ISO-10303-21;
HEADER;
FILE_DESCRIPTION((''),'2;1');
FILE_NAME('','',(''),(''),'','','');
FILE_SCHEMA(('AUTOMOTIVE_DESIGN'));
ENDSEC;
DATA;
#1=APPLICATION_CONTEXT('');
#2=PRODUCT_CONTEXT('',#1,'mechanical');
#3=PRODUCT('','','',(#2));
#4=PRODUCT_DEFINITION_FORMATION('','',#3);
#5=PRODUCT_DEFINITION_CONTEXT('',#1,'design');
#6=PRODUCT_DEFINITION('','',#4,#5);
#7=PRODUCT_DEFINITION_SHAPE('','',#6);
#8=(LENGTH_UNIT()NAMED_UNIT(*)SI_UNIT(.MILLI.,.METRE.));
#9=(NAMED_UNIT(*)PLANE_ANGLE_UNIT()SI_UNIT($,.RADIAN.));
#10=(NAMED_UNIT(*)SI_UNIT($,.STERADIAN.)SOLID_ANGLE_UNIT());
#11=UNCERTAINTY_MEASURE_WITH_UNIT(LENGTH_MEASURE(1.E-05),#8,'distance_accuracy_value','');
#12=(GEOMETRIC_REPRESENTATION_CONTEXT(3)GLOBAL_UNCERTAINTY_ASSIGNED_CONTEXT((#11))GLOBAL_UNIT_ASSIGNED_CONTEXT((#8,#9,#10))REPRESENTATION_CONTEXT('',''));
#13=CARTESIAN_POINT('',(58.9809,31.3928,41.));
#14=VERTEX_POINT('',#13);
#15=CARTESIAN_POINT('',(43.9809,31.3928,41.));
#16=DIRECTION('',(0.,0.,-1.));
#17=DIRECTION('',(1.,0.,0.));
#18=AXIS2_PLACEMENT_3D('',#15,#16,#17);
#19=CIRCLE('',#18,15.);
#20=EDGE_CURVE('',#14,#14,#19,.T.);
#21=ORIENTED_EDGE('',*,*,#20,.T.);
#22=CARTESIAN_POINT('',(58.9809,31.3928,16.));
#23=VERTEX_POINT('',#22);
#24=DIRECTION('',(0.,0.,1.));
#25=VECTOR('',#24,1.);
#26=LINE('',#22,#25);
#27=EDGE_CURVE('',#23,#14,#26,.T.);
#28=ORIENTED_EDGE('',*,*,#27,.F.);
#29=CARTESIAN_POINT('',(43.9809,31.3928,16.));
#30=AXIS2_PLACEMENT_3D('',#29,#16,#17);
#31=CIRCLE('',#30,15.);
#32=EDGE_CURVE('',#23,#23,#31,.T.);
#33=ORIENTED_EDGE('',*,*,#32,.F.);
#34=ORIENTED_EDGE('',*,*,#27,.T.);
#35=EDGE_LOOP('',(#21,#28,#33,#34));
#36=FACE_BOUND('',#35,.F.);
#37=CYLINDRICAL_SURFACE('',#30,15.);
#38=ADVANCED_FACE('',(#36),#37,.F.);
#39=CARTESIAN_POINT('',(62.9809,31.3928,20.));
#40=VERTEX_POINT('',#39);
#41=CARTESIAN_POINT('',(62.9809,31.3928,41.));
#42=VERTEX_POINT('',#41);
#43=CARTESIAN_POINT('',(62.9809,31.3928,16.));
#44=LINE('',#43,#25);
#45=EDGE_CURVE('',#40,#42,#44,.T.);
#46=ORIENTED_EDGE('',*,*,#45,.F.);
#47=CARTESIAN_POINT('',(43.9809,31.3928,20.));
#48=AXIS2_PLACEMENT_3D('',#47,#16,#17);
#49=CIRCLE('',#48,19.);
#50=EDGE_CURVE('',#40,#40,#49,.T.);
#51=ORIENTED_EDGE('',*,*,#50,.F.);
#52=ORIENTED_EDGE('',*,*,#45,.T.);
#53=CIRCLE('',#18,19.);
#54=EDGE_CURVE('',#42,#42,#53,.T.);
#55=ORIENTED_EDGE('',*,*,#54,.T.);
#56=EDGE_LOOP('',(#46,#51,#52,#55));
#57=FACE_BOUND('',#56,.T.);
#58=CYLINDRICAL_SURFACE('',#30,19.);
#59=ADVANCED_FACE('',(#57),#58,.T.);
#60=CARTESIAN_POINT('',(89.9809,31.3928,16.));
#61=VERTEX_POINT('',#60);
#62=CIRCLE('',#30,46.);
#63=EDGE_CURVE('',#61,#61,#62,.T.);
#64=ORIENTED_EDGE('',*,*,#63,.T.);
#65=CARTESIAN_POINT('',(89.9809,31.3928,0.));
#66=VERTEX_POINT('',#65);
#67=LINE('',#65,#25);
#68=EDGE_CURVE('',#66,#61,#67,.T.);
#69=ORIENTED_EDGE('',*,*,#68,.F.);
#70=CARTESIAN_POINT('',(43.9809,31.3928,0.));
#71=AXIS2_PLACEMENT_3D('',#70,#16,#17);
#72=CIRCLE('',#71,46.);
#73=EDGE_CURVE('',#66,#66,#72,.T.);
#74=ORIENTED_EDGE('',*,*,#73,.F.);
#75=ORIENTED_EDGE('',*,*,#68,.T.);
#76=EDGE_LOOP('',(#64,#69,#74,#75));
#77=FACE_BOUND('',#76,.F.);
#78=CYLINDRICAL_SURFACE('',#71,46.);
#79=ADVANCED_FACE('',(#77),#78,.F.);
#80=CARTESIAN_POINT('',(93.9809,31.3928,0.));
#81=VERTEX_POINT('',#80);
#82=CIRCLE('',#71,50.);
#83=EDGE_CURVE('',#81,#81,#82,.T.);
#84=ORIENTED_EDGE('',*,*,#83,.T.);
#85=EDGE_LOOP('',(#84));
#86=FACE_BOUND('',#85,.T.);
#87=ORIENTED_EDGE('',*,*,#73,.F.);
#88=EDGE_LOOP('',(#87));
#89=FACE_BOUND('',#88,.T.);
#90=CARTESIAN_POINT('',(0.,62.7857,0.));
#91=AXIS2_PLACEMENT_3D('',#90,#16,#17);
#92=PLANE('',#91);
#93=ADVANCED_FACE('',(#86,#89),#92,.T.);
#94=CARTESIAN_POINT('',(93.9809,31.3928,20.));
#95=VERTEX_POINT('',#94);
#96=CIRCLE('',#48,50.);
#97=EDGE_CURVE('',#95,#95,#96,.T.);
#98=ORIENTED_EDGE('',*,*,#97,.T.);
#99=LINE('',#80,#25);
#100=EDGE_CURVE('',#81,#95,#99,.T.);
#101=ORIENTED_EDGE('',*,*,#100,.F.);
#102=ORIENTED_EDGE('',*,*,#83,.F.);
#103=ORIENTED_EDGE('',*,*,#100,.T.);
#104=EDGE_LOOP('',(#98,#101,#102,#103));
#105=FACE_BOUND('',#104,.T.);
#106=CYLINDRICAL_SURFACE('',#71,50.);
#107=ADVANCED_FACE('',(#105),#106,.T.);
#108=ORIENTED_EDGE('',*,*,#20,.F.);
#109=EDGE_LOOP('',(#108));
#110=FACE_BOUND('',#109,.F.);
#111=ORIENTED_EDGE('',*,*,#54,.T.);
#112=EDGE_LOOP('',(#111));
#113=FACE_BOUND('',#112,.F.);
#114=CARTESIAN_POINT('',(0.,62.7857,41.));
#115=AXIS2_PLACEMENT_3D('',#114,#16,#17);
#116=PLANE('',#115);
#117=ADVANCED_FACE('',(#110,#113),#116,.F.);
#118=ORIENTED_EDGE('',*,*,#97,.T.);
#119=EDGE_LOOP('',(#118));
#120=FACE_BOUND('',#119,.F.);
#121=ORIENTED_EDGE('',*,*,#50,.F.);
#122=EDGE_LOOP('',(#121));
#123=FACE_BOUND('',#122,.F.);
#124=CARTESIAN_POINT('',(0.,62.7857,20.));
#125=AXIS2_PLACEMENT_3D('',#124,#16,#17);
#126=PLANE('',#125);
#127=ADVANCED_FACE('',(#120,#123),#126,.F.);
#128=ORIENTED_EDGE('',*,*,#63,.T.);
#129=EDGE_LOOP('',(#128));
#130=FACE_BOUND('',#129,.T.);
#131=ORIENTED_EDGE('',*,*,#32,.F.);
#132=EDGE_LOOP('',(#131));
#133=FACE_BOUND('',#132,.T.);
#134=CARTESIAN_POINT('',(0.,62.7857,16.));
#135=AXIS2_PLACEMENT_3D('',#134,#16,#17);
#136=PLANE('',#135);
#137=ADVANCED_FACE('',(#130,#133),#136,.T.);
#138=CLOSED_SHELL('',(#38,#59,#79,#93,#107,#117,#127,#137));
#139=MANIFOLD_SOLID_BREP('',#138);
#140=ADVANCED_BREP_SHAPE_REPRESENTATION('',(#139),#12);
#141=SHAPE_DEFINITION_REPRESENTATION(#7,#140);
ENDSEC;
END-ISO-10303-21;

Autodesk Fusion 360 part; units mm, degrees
sketch "Sketch1" plane through (0, 0, 0) normal (0, 0, 1) x (1, 0, 0) in component "base"
  circle A0 centre (43.9809, 31.3929) radius 50
  circle A1 centre (43.9809, 31.3929) radius 46
  circle A2 centre (43.9809, 31.3929) radius 19
  circle A3 centre (43.9809, 31.3929) radius 15
  dimension "d1" = 100
  dimension "d2" = 4
  dimension "d4" = 4
  dimension "d6" = 30
extrude "Extrude1" add sketch "Sketch1" against normal blind 20 contours A0 | A1 makes body 1 in component "base"
extrude "Extrude2" cut sketch "Sketch1" against normal blind 16 contours A1 bodies 1 in component "base"
extrude "Extrude3" add sketch "Sketch1" against normal blind 25 from surface at -16 contours A2 bodies 1 in component "base"
move_body "Move1" bodies 1 to x (1, 0, 0) y (0, -1, 0) z (0, 0, -1) at (0, -37.2143, -80) in component "base"
move_body "Move2" bodies 1 to x (1, 0, 0) y (0, 1, 0) z (0, 0, 1) at (0, 100, 80) in component "base"
copy_body "CutPasteBodies1" bodies 1 removing the originals makes body 2 in component "base"
component "base" placed x (1, 0, 0) y (0, 1, 0) z (0, 0, 1) at (0, 0, 0)
component "Component" placed x (1, 0, 0) y (0, 1, 0) z (0, 0, 1) at (0, 0, 0)
equation "d2 = wallthickness"
equation "wallthickness = 4 mm"
equation "d4 = wallthickness"
equation "motorDiameter = 30 mm"
equation "d6 = motorDiameter"
equation "baseHeight = 20 mm"
equation "motorBaseHeight = 25 mm"
equation "d9 = -baseHeight"
equation "d11 = wallthickness - baseHeight"
equation "d13 = -baseHeight + wallthickness"
equation "d14 = -motorBaseHeight"
